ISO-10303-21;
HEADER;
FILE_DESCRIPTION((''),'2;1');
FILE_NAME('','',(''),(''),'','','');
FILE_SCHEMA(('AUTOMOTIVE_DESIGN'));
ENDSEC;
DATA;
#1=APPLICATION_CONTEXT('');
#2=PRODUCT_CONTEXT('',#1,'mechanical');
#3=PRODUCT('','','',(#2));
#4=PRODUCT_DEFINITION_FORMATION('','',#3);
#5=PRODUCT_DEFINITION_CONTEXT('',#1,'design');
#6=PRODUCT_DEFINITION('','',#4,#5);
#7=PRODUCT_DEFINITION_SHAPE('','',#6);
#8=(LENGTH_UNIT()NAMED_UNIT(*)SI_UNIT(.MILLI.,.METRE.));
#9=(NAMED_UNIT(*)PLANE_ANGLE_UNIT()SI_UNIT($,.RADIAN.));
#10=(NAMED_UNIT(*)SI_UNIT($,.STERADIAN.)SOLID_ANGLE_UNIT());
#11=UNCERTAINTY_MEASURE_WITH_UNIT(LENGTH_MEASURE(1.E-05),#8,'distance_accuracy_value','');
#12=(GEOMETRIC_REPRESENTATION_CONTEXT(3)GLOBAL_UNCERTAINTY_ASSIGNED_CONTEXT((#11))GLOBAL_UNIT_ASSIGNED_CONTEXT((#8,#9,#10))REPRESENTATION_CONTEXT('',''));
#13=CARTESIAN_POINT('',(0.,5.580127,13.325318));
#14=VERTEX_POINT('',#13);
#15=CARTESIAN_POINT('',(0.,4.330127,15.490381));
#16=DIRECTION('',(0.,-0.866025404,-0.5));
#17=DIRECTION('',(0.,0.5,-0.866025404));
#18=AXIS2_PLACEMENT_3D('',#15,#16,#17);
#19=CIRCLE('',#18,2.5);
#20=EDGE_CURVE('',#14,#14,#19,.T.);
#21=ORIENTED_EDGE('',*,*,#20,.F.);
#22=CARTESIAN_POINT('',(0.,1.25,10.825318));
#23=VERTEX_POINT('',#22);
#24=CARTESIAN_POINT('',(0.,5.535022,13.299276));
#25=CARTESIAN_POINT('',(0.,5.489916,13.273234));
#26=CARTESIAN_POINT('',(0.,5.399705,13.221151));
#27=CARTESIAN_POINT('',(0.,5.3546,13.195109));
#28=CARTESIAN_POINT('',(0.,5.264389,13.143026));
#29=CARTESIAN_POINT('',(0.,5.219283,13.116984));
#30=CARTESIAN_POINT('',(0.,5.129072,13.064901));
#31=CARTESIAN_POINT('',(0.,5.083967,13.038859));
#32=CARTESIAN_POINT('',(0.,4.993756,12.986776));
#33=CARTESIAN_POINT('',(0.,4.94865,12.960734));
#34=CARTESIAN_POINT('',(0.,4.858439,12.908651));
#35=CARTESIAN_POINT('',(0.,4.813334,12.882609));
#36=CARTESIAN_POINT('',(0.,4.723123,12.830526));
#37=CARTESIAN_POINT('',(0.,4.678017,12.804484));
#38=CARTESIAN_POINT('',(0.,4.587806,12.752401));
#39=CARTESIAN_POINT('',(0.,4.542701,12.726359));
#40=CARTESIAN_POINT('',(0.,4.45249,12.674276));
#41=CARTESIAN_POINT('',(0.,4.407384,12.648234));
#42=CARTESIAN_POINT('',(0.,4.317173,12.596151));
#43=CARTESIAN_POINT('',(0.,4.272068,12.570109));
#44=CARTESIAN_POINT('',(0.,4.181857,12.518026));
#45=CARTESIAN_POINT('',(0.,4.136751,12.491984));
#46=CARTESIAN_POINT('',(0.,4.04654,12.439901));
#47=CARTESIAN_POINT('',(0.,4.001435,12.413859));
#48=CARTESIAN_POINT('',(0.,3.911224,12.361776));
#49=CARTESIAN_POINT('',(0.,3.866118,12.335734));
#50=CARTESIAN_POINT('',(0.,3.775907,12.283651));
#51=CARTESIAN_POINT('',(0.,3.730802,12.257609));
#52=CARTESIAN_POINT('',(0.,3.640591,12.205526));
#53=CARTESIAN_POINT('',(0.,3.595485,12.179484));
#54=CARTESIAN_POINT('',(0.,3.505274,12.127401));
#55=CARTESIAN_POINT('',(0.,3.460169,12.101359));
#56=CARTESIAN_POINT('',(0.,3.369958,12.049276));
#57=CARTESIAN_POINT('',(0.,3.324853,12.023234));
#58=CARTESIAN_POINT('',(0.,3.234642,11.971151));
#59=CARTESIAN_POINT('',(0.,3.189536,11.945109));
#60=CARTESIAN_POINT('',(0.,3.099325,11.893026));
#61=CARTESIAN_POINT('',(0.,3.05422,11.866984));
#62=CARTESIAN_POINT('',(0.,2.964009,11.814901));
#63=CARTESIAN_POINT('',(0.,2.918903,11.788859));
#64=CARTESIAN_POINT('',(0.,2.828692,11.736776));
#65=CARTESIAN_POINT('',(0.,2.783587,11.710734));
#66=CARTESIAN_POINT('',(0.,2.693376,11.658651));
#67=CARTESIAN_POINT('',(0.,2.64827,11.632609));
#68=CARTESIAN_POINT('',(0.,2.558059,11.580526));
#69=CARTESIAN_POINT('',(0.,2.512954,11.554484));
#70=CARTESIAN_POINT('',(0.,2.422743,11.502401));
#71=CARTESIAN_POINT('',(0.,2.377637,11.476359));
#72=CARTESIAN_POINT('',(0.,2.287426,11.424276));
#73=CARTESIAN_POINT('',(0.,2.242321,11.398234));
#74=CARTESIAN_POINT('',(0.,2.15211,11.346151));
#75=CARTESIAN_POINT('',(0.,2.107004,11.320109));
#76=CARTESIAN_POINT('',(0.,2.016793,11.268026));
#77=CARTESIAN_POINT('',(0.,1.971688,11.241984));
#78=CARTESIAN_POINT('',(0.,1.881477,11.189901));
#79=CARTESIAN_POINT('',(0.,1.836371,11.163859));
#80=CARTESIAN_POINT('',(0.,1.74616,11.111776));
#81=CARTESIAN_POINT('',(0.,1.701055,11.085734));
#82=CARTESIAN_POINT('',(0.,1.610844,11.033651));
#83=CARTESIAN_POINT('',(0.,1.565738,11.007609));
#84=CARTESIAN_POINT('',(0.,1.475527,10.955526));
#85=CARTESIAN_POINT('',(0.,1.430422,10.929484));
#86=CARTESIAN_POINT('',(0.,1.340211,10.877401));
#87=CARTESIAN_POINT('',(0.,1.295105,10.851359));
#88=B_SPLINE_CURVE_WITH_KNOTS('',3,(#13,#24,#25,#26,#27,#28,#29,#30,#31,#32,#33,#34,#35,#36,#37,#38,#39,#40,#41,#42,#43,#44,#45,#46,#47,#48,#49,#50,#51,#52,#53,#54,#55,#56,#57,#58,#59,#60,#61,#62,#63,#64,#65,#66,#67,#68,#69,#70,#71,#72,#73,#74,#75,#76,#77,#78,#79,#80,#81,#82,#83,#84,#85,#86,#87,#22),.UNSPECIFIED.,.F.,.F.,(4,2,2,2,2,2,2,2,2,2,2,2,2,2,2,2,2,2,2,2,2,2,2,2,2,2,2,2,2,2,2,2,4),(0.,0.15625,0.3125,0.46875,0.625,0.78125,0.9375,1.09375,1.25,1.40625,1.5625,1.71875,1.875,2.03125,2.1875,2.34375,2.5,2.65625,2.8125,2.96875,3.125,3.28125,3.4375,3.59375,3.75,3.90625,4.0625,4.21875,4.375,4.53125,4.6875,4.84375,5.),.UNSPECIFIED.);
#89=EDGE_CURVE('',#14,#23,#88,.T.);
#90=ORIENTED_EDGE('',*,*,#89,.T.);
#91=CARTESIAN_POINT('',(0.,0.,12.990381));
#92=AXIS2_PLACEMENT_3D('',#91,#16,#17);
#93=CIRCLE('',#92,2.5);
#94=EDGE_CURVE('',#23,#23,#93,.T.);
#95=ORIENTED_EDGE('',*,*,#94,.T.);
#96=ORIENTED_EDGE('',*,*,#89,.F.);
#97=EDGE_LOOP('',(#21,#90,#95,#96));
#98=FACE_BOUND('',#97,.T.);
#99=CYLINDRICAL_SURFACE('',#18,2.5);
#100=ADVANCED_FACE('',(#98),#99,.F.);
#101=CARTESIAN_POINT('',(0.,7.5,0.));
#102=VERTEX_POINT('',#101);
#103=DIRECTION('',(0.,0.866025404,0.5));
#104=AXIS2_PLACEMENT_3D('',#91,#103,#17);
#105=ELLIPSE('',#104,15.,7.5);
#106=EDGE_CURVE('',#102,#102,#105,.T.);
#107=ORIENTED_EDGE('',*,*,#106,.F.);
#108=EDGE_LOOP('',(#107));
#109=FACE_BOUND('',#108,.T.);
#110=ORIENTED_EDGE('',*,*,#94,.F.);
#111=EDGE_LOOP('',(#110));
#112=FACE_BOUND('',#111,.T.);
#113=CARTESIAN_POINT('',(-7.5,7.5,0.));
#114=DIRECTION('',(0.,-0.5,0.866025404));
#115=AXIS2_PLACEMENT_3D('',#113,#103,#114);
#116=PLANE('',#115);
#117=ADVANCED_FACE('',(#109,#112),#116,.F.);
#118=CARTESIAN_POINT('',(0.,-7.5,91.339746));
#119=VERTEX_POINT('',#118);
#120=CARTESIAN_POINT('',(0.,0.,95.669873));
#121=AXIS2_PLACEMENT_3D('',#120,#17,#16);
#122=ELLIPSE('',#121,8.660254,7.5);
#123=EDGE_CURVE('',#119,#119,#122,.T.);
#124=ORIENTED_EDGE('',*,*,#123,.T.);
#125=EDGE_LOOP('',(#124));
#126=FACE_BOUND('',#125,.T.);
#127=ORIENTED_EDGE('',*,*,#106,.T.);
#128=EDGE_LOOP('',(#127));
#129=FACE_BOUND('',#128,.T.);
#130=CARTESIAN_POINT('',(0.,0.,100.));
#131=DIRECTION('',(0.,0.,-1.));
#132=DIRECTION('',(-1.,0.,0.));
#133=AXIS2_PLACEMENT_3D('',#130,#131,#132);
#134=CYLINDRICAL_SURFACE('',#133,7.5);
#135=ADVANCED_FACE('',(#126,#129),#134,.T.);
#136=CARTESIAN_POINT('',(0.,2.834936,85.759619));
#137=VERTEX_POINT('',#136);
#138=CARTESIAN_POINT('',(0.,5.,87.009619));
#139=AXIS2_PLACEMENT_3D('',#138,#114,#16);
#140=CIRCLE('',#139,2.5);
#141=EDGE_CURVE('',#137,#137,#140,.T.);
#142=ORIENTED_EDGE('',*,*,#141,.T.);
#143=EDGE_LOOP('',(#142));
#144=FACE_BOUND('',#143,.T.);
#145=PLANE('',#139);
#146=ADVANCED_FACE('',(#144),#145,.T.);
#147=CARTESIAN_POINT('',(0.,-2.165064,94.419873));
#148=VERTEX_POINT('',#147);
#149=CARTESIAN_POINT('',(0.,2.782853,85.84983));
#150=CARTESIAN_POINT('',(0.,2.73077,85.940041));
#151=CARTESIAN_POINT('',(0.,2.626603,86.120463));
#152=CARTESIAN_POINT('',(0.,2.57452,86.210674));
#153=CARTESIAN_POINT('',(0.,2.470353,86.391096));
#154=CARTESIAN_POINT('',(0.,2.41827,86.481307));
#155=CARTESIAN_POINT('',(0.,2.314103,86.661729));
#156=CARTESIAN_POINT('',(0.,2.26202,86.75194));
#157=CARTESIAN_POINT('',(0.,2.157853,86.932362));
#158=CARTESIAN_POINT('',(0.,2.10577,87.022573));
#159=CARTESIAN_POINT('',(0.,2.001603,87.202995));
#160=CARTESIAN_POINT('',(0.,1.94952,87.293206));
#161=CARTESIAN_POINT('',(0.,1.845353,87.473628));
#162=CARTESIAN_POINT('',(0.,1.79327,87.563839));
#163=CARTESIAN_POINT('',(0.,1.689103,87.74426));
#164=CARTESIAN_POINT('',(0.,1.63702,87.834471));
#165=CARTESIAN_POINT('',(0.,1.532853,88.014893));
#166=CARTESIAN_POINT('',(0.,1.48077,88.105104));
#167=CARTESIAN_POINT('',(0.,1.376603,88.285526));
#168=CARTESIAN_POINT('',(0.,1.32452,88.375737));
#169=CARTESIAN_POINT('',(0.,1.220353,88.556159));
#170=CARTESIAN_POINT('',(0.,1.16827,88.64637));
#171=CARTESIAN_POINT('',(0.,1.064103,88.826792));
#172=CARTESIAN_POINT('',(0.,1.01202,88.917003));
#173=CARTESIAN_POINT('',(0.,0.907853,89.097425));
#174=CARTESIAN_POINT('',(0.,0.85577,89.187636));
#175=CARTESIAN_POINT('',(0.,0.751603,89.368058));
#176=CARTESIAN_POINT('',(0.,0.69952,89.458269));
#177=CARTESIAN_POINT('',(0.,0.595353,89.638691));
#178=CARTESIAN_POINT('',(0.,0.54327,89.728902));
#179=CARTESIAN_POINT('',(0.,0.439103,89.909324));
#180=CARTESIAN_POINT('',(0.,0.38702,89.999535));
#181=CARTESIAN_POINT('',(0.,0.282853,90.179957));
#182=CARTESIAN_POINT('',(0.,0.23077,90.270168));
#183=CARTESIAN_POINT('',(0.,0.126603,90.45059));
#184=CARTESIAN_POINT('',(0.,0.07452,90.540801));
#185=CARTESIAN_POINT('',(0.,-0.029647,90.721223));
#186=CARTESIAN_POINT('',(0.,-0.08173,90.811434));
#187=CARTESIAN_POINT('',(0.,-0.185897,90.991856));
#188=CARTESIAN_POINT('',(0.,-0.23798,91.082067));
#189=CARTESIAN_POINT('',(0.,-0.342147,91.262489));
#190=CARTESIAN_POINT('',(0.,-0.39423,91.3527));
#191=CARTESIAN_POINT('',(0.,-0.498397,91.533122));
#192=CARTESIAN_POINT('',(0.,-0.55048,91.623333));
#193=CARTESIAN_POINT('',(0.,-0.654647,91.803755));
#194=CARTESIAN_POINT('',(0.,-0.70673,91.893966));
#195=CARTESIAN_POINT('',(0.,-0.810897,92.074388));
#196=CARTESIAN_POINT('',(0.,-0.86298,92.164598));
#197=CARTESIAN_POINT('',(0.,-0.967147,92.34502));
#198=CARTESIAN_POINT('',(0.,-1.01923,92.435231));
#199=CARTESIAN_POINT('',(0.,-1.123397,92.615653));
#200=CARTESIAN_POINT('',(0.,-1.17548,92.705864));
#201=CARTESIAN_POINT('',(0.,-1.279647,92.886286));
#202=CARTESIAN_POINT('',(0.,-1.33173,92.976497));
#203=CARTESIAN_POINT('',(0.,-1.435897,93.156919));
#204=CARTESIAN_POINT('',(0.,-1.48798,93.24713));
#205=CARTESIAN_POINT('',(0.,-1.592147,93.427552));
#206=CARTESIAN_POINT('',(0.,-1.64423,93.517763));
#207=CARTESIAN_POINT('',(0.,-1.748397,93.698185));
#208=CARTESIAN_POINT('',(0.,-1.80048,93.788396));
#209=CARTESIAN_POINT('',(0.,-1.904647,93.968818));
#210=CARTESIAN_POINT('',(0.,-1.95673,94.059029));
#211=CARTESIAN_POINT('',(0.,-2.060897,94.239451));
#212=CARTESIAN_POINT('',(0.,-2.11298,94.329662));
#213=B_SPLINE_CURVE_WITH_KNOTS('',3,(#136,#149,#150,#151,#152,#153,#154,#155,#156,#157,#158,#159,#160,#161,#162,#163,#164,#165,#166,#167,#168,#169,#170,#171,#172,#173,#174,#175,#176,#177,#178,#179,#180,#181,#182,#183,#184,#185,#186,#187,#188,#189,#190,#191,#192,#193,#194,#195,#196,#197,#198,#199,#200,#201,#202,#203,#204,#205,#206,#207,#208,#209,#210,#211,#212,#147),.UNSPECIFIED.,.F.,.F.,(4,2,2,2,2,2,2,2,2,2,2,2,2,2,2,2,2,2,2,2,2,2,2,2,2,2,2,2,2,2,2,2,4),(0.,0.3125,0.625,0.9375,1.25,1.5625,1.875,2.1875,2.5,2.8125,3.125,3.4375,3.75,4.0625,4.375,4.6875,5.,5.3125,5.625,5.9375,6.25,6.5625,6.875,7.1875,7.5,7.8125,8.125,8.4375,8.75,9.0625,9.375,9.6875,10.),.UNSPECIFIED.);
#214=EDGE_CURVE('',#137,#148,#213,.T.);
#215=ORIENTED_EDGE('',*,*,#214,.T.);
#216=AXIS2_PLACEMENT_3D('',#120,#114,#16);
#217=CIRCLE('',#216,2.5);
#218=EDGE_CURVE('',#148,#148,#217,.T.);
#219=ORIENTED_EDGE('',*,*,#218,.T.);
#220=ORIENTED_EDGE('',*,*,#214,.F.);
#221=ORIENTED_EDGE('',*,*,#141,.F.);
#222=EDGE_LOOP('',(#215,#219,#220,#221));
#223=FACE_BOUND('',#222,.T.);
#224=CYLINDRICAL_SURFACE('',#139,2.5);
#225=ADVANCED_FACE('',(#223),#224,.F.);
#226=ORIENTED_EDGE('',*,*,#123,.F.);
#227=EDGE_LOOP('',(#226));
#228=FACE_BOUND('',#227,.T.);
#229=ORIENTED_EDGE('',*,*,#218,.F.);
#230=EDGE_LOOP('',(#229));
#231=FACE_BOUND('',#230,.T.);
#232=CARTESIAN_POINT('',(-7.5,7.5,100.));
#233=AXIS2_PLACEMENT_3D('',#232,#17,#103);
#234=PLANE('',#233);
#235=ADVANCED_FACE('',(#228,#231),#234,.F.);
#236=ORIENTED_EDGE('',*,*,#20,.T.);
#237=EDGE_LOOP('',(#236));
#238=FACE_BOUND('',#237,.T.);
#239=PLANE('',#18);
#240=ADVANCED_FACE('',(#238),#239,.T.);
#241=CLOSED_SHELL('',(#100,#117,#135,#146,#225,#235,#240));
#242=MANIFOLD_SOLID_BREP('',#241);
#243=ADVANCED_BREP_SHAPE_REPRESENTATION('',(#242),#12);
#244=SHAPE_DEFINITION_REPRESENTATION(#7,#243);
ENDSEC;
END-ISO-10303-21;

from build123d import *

# Parameters (mm, degrees)
SKETCH2_R               = 7.5
BOSS_EXTRUDE1_DEPTH     = 100
CUT_EXTRUDE1_DEPTH      = 101.560926806
CUT_EXTRUDE1_DEPTH_BACK = 101.560926806
SKETCH4_R               = 2.5
CUT_EXTRUDE2_DEPTH      = 10
SKETCH5_R               = 2.5
CUT_EXTRUDE3_DEPTH      = 5


with BuildPart() as part:
    # Sketch2 → Boss-Extrude1 (new body)
    with BuildSketch(Plane.XY):
        Circle(SKETCH2_R)
    extrude(amount=BOSS_EXTRUDE1_DEPTH)

    # Sketch3 → Cut-Extrude1 (cut, two sides: drawn at the far end of the back side and taken through both)
    with BuildSketch(Plane(origin=(0, 0, 0), x_dir=(0, 0, -1), z_dir=(1, 0, 0)).offset(-CUT_EXTRUDE1_DEPTH_BACK)):
        Polygon((-100, 7.5), (-86.572214113, -15.75760739), (-93.968196495, -20.02767981), (-105.531182824, 0), align=None)
        Polygon((0, 7.5), (-26.836822614, -7.99424676), (-23.788631199, -13.273869162), (1.512017142, -9.243577121), (5.324456029, -3.175017221), align=None)
    extrude(amount=CUT_EXTRUDE1_DEPTH + CUT_EXTRUDE1_DEPTH_BACK, mode=Mode.SUBTRACT)

    # Sketch4 → Cut-Extrude2 (cut)
    with BuildSketch(Plane(origin=(0, -41.426270189, 71.752404736), x_dir=(1, 0, 0), z_dir=(0, -0.5000000000000044, 0.866025403784436))):
        with Locations(Location((0, 47.834936491, 0), (0, 0, 270))):
            Circle(SKETCH4_R)
    extrude(amount=-CUT_EXTRUDE2_DEPTH, mode=Mode.SUBTRACT)

    # Sketch5 → Cut-Extrude3 (cut)
    with BuildSketch(Plane(origin=(0, 5.625, 3.247595264), x_dir=(1, 0, 0), z_dir=(0, -0.8660254037844386, -0.4999999999999999))):
        with Locations(Location((0, 11.25, 0), (0, 0, 270))):
            Circle(SKETCH5_R)
    extrude(amount=-CUT_EXTRUDE3_DEPTH, mode=Mode.SUBTRACT)


solid = part.part
